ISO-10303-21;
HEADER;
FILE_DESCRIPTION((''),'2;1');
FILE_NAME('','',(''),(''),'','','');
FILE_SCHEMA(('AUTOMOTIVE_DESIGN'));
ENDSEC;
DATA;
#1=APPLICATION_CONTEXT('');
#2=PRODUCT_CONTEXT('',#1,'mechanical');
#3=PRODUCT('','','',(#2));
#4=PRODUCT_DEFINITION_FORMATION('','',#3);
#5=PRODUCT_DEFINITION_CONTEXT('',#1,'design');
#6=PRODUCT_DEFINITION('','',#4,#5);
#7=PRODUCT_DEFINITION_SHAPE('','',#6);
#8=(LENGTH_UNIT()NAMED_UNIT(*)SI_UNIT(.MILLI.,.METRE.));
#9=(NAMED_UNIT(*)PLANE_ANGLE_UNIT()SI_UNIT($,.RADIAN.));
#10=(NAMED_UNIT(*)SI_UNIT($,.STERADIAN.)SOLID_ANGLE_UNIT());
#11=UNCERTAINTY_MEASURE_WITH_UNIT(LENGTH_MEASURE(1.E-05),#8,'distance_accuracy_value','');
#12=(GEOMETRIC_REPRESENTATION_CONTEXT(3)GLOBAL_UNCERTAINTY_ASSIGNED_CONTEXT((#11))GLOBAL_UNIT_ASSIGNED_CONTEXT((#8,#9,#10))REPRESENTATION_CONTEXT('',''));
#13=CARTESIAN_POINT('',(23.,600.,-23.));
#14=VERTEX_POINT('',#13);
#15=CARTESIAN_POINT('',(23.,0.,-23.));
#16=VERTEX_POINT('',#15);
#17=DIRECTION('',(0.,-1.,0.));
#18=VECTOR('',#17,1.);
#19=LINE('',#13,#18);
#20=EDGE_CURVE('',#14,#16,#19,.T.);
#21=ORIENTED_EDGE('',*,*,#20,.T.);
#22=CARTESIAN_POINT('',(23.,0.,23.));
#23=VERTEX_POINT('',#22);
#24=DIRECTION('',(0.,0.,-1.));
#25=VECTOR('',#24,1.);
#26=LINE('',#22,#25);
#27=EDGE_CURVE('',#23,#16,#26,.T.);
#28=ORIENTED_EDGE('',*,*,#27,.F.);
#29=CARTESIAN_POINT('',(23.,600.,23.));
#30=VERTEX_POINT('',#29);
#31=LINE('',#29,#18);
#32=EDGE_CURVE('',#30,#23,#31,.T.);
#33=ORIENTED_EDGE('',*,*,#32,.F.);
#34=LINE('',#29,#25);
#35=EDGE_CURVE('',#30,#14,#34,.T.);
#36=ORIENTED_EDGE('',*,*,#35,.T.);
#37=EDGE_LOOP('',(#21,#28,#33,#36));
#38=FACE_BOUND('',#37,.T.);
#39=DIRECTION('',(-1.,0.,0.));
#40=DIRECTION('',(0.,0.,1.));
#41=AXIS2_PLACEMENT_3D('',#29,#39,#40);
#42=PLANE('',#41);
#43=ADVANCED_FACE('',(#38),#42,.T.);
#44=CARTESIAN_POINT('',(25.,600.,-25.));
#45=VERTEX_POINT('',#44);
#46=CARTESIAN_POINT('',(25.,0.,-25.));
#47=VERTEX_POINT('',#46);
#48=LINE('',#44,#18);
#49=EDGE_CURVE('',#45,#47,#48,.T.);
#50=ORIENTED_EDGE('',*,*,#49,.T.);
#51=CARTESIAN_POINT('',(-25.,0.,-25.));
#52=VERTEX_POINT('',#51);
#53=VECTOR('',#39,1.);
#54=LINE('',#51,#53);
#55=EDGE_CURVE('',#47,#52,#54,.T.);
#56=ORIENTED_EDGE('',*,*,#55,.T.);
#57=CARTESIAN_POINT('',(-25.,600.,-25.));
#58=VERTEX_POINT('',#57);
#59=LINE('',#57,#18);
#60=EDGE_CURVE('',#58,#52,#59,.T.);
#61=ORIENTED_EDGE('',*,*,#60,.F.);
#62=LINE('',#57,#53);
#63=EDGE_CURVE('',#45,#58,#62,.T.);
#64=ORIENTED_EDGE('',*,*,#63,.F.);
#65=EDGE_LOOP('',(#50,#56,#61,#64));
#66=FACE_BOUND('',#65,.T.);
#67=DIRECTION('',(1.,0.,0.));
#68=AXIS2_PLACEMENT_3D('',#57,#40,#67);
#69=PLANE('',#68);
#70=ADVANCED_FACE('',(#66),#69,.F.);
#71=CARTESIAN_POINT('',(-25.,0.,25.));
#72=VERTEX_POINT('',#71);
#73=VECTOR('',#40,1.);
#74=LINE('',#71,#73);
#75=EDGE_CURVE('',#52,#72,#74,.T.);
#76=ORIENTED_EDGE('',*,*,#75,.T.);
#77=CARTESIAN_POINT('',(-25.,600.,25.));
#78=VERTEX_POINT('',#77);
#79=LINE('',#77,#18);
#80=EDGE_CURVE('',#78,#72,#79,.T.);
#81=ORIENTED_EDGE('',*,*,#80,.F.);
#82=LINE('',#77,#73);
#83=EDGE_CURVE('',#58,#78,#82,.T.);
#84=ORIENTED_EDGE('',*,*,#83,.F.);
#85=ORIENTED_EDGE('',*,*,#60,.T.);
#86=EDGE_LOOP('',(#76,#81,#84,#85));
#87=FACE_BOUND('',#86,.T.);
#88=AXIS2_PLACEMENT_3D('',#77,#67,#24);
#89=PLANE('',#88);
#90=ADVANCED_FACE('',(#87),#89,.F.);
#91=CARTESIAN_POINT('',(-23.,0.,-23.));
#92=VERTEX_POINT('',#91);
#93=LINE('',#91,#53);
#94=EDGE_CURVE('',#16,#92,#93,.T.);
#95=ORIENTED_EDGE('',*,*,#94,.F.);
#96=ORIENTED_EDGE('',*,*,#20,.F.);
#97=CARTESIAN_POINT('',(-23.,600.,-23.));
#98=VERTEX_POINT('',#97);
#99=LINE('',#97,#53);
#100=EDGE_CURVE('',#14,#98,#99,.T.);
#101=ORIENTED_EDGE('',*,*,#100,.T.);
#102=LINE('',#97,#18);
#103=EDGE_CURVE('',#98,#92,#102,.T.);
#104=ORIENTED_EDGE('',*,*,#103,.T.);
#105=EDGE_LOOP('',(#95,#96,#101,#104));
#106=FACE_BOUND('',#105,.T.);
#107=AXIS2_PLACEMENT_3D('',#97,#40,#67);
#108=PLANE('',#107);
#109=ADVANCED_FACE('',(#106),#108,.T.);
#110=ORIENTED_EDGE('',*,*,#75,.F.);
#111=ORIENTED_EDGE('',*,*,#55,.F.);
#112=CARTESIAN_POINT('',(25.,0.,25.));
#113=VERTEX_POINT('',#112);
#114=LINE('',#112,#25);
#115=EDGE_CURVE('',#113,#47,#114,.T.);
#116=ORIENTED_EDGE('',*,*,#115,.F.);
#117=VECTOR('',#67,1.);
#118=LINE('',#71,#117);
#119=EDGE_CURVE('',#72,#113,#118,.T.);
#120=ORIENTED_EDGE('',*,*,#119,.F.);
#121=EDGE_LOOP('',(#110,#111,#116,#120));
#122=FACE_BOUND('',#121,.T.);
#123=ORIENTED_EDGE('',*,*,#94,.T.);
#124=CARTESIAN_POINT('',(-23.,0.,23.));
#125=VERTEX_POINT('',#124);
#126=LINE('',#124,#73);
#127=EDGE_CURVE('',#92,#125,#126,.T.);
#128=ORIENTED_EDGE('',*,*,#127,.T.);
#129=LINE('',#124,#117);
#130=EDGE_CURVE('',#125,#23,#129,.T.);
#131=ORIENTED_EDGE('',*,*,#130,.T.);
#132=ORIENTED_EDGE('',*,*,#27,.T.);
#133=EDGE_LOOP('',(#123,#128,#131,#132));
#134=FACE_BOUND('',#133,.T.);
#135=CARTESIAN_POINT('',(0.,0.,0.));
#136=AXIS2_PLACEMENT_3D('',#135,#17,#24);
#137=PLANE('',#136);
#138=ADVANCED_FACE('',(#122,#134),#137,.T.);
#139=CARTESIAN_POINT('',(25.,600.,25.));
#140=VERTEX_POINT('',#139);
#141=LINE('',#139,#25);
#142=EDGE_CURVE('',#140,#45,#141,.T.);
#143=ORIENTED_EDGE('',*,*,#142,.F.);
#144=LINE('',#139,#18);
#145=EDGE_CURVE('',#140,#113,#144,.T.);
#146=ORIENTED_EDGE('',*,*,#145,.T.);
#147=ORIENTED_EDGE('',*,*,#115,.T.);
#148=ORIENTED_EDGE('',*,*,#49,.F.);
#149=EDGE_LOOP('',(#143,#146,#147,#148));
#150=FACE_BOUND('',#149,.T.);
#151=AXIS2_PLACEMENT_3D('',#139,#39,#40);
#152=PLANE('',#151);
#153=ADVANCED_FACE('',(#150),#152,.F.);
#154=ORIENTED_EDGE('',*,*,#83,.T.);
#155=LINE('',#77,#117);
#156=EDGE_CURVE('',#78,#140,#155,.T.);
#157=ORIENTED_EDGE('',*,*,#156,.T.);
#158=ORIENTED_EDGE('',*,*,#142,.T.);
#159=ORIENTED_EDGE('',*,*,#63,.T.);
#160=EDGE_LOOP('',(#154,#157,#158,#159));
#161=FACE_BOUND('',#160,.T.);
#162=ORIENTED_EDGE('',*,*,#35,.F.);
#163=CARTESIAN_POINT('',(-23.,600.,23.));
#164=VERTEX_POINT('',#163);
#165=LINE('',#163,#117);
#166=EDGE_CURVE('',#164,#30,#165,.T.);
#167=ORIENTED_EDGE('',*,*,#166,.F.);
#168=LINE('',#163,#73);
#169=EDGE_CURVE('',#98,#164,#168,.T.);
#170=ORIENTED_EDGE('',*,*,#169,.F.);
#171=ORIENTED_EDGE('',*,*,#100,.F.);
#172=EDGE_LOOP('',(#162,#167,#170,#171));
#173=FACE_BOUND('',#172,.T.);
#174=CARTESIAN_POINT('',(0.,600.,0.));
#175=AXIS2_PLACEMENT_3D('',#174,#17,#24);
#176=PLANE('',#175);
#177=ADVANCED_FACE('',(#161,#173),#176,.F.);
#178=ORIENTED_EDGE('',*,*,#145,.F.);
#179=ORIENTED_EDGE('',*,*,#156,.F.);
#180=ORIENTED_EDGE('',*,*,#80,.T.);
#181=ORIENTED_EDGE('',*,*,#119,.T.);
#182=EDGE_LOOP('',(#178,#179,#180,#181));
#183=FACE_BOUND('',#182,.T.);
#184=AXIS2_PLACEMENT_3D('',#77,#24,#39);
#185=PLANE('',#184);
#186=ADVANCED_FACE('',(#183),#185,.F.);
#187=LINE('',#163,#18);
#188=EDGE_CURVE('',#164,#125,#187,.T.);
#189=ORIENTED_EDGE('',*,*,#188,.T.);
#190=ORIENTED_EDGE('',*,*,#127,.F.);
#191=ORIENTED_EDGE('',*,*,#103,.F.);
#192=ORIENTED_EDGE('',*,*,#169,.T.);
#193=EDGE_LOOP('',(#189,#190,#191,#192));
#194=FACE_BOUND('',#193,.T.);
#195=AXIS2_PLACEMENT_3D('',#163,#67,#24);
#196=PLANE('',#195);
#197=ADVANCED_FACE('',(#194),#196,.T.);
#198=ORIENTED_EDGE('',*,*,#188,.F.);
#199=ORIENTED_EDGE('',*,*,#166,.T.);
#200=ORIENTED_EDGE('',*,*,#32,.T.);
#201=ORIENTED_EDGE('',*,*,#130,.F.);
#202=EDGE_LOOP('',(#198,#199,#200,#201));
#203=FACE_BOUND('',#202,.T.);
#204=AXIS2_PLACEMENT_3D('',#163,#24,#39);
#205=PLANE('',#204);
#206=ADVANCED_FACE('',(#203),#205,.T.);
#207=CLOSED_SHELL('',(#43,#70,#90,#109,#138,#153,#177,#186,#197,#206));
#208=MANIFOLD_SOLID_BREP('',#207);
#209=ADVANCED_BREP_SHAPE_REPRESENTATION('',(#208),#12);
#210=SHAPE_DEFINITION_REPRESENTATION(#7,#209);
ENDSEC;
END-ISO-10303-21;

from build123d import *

# Parameters (mm, degrees)
SKETCH1_W           = 50
SKETCH1_H           = 50
SKETCH1_W_2         = 46
SKETCH1_H_2         = 46
BOSS_EXTRUDE1_DEPTH = 600


with BuildPart() as part:
    # Sketch1 → Boss-Extrude1 (new body)
    with BuildSketch(Plane(origin=(0, 0, 0), x_dir=(1, 0, 0), z_dir=(0, 1, 0))):
        Rectangle(SKETCH1_W, SKETCH1_H)
        Rectangle(SKETCH1_W_2, SKETCH1_H_2, mode=Mode.SUBTRACT)
    extrude(amount=BOSS_EXTRUDE1_DEPTH)


solid = part.part
